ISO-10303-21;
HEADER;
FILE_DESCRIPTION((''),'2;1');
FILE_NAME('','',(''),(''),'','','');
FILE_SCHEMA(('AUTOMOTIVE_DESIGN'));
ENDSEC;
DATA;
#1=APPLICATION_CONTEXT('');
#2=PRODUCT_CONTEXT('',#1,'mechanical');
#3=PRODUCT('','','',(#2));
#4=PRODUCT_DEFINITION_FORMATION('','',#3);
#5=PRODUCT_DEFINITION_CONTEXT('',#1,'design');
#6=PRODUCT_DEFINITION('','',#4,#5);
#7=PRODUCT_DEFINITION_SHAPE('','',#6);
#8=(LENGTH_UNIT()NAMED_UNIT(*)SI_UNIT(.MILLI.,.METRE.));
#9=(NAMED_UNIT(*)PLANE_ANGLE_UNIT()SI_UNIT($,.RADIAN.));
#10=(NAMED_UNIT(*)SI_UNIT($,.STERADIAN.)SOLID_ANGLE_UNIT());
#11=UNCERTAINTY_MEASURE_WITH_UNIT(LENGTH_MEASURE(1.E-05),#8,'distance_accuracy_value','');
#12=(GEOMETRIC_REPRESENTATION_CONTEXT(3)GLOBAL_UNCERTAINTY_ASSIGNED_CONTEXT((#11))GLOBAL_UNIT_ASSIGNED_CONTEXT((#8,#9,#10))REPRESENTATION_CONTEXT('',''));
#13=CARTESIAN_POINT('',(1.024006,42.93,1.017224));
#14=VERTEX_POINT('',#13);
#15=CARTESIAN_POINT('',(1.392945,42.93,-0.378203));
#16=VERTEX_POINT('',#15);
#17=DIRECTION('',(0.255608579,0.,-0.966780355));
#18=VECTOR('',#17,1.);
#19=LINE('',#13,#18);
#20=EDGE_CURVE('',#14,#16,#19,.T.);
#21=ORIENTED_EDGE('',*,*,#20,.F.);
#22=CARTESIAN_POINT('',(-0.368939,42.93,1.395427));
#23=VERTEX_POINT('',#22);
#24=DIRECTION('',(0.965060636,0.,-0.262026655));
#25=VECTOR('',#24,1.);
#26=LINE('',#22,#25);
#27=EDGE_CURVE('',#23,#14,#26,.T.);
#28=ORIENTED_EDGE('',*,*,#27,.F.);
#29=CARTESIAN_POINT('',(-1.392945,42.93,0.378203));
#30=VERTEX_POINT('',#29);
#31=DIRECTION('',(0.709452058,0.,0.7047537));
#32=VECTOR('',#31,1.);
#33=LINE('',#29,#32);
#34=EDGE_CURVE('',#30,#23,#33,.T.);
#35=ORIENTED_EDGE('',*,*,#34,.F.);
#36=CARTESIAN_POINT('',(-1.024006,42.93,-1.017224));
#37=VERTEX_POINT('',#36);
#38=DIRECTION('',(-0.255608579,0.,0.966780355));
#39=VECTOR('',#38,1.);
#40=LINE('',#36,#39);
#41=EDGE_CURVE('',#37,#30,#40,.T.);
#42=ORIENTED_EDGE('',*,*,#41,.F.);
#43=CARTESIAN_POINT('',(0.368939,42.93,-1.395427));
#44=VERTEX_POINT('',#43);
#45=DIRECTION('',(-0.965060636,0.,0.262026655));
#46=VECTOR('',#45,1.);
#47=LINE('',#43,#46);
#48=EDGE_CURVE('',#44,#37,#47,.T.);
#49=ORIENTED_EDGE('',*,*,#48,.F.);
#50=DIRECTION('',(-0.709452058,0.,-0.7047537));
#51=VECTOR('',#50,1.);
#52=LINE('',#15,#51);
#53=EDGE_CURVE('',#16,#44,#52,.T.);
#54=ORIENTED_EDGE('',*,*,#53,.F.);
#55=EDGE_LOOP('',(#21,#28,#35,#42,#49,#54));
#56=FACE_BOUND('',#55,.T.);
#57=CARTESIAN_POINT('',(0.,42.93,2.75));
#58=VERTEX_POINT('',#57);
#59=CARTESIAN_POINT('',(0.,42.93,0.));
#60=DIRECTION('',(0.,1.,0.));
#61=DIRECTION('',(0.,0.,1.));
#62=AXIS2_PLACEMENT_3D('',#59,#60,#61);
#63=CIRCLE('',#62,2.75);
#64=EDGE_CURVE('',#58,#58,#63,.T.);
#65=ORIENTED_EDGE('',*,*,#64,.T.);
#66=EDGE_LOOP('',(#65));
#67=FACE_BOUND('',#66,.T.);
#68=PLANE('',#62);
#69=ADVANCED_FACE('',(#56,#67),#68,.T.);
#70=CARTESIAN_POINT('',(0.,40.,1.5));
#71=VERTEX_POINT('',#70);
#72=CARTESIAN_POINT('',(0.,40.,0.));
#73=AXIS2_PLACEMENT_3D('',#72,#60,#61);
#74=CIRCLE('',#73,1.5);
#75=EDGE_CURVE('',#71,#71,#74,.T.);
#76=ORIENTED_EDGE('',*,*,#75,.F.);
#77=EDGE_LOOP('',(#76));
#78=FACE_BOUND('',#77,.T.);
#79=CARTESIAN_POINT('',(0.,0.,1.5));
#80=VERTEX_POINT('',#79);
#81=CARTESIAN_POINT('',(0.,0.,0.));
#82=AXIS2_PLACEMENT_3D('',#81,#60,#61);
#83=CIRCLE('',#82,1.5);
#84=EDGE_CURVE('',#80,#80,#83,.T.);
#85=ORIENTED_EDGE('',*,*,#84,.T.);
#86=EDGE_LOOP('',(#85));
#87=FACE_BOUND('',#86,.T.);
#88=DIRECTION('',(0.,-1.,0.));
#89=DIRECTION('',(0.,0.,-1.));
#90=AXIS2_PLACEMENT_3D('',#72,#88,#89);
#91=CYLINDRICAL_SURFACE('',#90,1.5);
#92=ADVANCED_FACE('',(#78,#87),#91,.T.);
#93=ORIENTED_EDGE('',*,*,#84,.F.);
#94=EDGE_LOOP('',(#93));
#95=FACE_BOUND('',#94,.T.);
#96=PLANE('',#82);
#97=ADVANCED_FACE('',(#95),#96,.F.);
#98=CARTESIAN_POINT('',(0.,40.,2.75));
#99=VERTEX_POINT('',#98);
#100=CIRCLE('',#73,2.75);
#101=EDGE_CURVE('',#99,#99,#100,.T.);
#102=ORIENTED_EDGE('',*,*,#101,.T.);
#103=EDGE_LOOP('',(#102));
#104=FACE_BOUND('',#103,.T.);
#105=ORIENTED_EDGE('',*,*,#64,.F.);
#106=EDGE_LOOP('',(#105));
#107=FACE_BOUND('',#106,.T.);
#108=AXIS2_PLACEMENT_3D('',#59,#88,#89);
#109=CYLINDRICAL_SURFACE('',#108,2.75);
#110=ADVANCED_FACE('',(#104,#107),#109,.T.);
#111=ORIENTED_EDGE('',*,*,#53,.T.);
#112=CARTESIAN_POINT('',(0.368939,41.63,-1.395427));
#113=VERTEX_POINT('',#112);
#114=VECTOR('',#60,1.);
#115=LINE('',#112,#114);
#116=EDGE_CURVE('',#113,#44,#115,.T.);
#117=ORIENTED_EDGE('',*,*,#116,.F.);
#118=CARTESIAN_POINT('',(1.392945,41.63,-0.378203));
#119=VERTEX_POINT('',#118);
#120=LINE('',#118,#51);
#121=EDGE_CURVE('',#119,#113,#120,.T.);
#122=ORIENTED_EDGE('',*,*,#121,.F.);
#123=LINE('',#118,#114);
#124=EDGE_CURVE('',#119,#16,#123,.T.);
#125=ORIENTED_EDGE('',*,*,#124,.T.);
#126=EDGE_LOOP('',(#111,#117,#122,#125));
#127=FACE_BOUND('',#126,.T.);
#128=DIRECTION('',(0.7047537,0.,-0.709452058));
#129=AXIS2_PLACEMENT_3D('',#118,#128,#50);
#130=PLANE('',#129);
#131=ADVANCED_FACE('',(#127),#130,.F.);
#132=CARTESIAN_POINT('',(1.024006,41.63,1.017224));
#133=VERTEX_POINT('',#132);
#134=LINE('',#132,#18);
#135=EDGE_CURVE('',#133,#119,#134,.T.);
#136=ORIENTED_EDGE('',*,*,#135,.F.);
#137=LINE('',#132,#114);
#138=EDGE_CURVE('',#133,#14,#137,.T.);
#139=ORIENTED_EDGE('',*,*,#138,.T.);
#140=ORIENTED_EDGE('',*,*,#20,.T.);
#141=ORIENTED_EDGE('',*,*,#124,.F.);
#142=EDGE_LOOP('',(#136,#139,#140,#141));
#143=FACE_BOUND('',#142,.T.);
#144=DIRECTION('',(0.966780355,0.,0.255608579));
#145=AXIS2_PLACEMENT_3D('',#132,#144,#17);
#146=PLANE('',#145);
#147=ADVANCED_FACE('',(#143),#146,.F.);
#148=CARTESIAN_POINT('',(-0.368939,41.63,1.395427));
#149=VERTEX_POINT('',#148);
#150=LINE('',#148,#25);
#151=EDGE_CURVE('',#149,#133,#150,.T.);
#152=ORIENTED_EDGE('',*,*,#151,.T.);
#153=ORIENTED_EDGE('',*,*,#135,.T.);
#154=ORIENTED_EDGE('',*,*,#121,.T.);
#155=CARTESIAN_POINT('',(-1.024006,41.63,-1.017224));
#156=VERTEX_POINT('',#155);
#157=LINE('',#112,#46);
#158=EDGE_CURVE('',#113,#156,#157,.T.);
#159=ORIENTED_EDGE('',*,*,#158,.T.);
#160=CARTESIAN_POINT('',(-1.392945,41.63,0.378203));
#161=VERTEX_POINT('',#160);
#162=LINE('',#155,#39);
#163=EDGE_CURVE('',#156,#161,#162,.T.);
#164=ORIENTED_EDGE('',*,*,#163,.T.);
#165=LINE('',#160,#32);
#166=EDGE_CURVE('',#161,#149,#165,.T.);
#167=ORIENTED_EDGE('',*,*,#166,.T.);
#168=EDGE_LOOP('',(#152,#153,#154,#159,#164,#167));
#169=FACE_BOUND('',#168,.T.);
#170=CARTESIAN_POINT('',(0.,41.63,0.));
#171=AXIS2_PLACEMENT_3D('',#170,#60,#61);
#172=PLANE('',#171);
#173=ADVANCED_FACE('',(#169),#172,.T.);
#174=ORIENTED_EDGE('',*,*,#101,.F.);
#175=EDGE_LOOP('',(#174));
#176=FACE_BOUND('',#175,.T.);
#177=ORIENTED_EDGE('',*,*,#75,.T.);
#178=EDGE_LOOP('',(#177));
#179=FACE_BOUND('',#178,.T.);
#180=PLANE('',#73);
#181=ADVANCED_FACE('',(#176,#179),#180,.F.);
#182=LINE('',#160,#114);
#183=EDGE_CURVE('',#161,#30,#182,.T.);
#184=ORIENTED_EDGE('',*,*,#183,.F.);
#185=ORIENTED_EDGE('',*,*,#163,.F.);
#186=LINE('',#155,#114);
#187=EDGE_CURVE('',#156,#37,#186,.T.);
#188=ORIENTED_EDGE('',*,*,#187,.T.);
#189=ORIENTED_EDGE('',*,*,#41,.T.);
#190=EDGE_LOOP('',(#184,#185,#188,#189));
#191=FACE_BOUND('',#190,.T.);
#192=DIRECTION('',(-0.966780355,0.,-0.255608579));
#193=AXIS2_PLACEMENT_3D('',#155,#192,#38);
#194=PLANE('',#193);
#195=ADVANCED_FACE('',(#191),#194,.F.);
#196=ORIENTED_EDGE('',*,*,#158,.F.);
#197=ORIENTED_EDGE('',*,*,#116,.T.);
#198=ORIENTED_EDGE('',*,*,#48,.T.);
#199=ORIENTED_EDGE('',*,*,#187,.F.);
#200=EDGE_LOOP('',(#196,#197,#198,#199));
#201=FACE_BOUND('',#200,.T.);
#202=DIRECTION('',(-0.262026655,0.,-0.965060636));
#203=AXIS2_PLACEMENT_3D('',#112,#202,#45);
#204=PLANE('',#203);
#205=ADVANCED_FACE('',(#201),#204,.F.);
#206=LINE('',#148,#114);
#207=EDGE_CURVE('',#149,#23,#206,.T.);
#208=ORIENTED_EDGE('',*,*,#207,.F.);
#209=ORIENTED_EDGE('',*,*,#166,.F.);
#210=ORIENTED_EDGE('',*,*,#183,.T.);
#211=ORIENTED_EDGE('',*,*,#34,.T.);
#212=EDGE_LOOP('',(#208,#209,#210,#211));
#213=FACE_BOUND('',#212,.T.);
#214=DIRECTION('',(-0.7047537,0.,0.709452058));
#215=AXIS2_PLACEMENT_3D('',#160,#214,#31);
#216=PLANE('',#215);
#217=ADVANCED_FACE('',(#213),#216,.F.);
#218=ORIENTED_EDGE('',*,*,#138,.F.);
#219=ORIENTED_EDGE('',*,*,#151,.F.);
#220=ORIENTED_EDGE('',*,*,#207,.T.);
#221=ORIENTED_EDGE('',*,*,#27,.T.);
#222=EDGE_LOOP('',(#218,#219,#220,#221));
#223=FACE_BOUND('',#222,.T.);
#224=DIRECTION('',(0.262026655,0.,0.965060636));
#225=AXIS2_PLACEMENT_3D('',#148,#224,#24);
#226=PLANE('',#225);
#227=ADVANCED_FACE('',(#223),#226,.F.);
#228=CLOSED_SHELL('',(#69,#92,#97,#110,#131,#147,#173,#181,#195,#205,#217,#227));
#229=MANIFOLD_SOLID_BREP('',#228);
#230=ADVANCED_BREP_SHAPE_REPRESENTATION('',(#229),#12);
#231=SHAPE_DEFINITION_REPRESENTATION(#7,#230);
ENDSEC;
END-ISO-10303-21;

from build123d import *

# Parameters (mm, degrees)
SKETCH_1_R          = 1.5
EXTRUDE_1_DEPTH     = 40
SKETCH_2_R          = 2.75
EXTRUDE_2_DEPTH     = 2.93
CUT_EXTRUDE_1_DEPTH = 1.3


with BuildPart() as part:
    # 草图1 → 凸台-拉伸1 (new body)
    with BuildSketch(Plane(origin=(0, 0, 0), x_dir=(1, 0, 0), z_dir=(0, 1, 0))):
        Circle(SKETCH_1_R)
    extrude(amount=EXTRUDE_1_DEPTH)

    # 草图2 → 凸台-拉伸2 (add)
    with BuildSketch(Plane(origin=(0, 40, 0), x_dir=(1, 0, 0), z_dir=(0, 1, 0))):
        Circle(SKETCH_2_R)
    extrude(amount=EXTRUDE_2_DEPTH)

    # 草图3 → 切除-拉伸1 (cut)
    with BuildSketch(Plane(origin=(0, 42.93, 0), x_dir=(1, 0, 0), z_dir=(0, 1, 0))):
        Polygon((1.024005842, -1.017224346), (1.392945046, 0.378202899), (0.368939204, 1.395427245), (-1.024005842, 1.017224346), (-1.392945046, -0.378202899), (-0.368939204, -1.395427245), align=None)
    extrude(amount=-CUT_EXTRUDE_1_DEPTH, mode=Mode.SUBTRACT)


solid = part.part
